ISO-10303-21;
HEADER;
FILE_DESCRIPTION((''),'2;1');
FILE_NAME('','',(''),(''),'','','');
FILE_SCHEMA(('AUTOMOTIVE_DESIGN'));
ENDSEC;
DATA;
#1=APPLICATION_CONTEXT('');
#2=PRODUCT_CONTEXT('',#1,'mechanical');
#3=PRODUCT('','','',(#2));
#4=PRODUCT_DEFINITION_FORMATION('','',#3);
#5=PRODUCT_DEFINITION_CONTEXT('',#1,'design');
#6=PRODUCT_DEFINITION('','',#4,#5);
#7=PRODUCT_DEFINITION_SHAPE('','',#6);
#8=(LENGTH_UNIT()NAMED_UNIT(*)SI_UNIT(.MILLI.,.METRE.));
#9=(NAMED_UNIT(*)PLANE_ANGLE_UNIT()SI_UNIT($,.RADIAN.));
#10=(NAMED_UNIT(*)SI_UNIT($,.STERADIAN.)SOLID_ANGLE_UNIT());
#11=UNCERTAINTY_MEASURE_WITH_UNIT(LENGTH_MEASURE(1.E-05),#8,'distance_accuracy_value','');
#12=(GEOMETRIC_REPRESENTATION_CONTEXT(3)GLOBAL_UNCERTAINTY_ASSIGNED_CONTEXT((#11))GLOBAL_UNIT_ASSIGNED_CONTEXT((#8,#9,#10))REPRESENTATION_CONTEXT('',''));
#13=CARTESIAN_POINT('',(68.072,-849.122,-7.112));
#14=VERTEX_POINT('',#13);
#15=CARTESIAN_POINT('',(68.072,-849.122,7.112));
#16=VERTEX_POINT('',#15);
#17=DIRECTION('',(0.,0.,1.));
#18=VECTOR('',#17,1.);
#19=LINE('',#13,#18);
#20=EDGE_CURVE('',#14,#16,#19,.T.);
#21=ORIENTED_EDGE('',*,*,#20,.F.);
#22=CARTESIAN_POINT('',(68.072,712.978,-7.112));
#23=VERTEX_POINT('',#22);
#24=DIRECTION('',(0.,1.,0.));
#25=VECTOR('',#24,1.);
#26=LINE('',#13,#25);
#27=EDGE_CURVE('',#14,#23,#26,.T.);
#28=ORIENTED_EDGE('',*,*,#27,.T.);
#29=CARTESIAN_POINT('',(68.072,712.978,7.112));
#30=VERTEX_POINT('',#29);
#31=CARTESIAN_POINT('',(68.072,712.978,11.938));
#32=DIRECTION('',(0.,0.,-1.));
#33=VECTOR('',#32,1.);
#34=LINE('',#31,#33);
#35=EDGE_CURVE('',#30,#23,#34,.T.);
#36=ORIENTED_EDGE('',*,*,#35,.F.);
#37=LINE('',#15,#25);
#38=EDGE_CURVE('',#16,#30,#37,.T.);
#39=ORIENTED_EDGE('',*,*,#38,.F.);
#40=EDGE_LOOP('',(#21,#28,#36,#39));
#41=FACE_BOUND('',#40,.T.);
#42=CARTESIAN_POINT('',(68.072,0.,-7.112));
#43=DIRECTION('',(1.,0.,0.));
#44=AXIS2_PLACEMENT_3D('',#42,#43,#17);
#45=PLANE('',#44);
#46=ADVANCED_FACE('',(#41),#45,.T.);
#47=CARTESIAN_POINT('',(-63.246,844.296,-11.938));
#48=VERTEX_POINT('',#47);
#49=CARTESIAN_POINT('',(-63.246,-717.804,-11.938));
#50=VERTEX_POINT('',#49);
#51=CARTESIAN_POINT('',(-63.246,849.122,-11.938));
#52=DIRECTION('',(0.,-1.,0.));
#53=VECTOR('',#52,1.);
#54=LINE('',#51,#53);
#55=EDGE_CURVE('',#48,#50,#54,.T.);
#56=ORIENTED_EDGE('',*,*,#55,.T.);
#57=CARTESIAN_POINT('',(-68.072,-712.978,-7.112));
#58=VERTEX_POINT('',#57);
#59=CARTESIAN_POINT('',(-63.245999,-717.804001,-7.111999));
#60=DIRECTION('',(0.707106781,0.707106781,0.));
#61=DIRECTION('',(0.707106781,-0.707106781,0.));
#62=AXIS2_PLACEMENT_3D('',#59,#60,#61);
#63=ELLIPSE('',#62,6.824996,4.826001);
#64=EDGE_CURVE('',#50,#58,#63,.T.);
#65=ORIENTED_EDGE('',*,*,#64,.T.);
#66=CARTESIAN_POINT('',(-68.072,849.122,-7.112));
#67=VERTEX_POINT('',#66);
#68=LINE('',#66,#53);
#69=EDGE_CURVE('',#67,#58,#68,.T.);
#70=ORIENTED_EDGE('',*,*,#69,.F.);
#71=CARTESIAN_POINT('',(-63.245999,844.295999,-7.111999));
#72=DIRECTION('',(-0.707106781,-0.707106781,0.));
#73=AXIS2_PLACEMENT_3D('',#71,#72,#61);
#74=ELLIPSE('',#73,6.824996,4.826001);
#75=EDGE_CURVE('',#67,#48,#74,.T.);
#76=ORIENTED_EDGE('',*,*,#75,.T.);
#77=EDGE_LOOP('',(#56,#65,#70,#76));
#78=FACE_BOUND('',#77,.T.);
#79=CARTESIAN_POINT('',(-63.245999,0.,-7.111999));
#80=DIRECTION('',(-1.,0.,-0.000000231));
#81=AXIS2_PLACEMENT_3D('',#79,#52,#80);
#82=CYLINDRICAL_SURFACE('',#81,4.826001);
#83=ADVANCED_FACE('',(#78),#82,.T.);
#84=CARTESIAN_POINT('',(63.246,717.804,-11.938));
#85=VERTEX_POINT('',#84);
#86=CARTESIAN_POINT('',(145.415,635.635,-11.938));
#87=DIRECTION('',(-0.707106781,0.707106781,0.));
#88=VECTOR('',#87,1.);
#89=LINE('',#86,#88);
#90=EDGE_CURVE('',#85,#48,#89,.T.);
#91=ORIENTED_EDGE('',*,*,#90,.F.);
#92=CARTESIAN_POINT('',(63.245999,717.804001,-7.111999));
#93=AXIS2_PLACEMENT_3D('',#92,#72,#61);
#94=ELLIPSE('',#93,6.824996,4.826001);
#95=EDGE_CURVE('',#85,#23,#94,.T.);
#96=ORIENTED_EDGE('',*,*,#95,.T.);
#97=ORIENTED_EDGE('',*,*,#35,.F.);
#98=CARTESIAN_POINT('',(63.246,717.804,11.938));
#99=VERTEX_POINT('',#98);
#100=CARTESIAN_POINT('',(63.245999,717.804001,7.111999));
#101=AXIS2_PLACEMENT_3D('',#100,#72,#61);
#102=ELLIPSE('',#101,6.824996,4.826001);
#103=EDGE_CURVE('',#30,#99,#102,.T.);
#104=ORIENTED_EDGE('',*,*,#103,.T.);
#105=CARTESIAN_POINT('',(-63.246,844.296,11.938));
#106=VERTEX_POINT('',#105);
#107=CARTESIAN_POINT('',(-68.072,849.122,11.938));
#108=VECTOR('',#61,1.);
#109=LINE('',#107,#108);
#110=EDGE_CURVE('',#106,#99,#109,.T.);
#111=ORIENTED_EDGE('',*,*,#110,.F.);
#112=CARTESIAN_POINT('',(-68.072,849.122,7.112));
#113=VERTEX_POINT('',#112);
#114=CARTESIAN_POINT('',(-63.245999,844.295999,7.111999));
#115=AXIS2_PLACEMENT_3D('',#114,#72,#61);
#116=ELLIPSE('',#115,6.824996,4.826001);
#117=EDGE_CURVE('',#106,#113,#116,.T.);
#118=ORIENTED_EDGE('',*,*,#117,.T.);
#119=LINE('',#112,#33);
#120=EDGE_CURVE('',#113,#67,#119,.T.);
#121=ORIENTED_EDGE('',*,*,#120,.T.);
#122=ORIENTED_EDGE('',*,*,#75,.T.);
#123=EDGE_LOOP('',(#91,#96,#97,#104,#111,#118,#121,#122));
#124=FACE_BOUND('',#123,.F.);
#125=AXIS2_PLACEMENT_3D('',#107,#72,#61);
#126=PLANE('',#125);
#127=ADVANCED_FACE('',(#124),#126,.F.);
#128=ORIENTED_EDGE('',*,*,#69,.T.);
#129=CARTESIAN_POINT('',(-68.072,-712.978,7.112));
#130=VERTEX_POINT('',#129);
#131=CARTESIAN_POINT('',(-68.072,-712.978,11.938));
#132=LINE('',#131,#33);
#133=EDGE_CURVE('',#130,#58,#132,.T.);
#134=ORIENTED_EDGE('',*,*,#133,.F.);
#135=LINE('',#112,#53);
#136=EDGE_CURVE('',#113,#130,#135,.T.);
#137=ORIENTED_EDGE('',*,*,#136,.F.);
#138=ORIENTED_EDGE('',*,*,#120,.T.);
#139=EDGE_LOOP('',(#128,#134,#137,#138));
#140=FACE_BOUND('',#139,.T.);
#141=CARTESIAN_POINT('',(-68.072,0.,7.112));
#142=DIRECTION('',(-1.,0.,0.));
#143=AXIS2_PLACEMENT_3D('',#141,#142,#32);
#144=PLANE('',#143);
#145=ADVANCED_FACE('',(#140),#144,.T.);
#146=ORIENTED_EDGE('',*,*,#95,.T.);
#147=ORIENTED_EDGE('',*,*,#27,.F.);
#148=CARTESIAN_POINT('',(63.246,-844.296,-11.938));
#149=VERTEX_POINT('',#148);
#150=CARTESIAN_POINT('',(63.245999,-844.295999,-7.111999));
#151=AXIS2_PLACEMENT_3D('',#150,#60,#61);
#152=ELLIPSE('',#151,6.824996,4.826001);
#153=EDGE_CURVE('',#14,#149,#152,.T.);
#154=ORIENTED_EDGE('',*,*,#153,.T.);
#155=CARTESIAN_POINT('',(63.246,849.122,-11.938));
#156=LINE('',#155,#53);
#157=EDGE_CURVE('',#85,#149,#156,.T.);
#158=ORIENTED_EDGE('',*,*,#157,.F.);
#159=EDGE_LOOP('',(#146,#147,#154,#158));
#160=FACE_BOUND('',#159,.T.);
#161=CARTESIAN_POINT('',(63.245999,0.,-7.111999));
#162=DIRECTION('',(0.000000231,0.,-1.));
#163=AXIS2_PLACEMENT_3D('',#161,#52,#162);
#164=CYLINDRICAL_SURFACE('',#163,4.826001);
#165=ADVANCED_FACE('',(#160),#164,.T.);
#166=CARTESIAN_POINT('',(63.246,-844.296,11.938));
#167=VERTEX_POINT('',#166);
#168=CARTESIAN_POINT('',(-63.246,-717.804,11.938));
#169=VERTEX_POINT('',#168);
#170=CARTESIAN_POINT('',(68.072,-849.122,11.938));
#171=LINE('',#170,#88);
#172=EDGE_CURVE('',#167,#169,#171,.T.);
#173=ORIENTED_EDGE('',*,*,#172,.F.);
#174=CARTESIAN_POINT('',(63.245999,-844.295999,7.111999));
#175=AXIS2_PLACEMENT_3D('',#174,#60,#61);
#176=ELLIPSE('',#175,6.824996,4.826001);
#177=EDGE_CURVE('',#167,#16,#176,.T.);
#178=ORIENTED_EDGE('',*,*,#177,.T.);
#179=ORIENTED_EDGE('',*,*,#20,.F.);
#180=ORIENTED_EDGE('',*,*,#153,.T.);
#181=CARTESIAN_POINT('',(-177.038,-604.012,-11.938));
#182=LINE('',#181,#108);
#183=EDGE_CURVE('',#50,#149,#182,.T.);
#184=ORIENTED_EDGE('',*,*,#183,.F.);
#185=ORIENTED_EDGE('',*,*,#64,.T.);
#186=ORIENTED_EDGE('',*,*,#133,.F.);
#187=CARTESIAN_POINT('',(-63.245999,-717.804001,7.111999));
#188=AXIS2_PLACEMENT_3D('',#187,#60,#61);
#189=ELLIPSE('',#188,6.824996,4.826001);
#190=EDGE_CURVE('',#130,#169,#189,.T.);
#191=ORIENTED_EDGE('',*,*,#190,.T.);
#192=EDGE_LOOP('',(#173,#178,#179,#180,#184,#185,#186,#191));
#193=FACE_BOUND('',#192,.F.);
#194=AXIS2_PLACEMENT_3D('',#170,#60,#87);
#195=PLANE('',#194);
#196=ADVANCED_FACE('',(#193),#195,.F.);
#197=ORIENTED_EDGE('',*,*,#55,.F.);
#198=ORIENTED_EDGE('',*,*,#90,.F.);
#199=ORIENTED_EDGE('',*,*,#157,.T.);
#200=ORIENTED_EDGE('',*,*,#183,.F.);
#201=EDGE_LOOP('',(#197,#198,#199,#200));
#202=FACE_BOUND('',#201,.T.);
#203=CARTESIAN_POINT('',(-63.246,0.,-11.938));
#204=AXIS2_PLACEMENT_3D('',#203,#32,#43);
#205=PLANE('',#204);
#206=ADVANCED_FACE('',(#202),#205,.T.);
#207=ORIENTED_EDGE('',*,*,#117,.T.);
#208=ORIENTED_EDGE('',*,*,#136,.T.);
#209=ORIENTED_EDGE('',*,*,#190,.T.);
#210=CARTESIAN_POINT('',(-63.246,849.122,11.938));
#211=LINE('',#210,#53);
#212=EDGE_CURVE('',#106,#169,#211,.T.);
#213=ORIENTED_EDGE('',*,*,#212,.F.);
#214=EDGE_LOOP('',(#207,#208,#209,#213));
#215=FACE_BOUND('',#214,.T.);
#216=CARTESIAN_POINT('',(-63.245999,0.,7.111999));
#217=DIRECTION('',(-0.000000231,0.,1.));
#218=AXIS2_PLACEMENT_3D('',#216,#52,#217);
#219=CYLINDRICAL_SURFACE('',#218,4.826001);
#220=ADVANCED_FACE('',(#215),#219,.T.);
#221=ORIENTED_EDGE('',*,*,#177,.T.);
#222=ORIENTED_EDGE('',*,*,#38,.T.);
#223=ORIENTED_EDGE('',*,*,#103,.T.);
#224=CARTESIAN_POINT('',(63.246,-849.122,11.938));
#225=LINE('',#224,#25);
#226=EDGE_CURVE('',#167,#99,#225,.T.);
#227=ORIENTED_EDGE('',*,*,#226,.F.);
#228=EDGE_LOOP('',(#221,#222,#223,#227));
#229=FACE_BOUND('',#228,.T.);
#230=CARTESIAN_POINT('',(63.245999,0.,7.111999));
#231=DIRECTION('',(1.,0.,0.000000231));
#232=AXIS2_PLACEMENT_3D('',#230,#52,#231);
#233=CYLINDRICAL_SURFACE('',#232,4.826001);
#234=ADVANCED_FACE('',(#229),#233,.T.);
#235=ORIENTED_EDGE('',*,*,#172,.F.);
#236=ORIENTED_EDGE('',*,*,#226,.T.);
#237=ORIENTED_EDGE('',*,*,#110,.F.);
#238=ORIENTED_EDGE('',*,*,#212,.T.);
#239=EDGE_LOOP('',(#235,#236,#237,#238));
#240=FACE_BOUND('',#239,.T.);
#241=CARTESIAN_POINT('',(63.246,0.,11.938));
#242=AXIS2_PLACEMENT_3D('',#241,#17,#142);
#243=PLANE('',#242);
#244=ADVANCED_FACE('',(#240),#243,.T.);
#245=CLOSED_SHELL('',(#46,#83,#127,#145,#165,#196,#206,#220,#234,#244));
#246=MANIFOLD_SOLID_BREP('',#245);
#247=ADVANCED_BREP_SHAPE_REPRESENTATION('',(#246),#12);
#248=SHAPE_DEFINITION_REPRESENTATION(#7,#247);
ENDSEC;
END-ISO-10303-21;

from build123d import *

# Parameters (mm, degrees)
F1_DEPTH = 849.122
F3_DEPTH = 23.877


with BuildPart() as f1:
    # F0 (on Front) → F1 (new body, symmetric)
    with BuildSketch(Plane.XZ):
        with BuildLine():
            Line((63.246, 11.938), (-63.246, 11.938))
            ThreePointArc((-63.246, 11.938), (-66.658497, 10.524497), (-68.072, 7.112))
            Line((-68.072, 7.112), (-68.072, -7.112))
            ThreePointArc((-68.072, -7.112), (-66.658497, -10.524497), (-63.246, -11.938))
            Line((-63.246, -11.938), (63.246, -11.938))
            ThreePointArc((63.246, -11.938), (66.658497, -10.524497), (68.072, -7.112))
            Line((68.072, -7.112), (68.072, 7.112))
            ThreePointArc((68.072, 7.112), (66.658497, 10.524497), (63.246, 11.938))
        make_face()
    extrude(amount=F1_DEPTH, both=True)

    # F2 (on face) → F3 (cut, through all)
    with BuildSketch(Plane.XY.offset(11.938)):
        Polygon((-68.072, -849.122), (68.072, -849.122), (-68.072, -712.978), align=None)
        Polygon((68.072, 849.122), (-68.072, 849.122), (68.072, 712.978), align=None)
    extrude(amount=-F3_DEPTH, mode=Mode.SUBTRACT)


solid = f1.part
